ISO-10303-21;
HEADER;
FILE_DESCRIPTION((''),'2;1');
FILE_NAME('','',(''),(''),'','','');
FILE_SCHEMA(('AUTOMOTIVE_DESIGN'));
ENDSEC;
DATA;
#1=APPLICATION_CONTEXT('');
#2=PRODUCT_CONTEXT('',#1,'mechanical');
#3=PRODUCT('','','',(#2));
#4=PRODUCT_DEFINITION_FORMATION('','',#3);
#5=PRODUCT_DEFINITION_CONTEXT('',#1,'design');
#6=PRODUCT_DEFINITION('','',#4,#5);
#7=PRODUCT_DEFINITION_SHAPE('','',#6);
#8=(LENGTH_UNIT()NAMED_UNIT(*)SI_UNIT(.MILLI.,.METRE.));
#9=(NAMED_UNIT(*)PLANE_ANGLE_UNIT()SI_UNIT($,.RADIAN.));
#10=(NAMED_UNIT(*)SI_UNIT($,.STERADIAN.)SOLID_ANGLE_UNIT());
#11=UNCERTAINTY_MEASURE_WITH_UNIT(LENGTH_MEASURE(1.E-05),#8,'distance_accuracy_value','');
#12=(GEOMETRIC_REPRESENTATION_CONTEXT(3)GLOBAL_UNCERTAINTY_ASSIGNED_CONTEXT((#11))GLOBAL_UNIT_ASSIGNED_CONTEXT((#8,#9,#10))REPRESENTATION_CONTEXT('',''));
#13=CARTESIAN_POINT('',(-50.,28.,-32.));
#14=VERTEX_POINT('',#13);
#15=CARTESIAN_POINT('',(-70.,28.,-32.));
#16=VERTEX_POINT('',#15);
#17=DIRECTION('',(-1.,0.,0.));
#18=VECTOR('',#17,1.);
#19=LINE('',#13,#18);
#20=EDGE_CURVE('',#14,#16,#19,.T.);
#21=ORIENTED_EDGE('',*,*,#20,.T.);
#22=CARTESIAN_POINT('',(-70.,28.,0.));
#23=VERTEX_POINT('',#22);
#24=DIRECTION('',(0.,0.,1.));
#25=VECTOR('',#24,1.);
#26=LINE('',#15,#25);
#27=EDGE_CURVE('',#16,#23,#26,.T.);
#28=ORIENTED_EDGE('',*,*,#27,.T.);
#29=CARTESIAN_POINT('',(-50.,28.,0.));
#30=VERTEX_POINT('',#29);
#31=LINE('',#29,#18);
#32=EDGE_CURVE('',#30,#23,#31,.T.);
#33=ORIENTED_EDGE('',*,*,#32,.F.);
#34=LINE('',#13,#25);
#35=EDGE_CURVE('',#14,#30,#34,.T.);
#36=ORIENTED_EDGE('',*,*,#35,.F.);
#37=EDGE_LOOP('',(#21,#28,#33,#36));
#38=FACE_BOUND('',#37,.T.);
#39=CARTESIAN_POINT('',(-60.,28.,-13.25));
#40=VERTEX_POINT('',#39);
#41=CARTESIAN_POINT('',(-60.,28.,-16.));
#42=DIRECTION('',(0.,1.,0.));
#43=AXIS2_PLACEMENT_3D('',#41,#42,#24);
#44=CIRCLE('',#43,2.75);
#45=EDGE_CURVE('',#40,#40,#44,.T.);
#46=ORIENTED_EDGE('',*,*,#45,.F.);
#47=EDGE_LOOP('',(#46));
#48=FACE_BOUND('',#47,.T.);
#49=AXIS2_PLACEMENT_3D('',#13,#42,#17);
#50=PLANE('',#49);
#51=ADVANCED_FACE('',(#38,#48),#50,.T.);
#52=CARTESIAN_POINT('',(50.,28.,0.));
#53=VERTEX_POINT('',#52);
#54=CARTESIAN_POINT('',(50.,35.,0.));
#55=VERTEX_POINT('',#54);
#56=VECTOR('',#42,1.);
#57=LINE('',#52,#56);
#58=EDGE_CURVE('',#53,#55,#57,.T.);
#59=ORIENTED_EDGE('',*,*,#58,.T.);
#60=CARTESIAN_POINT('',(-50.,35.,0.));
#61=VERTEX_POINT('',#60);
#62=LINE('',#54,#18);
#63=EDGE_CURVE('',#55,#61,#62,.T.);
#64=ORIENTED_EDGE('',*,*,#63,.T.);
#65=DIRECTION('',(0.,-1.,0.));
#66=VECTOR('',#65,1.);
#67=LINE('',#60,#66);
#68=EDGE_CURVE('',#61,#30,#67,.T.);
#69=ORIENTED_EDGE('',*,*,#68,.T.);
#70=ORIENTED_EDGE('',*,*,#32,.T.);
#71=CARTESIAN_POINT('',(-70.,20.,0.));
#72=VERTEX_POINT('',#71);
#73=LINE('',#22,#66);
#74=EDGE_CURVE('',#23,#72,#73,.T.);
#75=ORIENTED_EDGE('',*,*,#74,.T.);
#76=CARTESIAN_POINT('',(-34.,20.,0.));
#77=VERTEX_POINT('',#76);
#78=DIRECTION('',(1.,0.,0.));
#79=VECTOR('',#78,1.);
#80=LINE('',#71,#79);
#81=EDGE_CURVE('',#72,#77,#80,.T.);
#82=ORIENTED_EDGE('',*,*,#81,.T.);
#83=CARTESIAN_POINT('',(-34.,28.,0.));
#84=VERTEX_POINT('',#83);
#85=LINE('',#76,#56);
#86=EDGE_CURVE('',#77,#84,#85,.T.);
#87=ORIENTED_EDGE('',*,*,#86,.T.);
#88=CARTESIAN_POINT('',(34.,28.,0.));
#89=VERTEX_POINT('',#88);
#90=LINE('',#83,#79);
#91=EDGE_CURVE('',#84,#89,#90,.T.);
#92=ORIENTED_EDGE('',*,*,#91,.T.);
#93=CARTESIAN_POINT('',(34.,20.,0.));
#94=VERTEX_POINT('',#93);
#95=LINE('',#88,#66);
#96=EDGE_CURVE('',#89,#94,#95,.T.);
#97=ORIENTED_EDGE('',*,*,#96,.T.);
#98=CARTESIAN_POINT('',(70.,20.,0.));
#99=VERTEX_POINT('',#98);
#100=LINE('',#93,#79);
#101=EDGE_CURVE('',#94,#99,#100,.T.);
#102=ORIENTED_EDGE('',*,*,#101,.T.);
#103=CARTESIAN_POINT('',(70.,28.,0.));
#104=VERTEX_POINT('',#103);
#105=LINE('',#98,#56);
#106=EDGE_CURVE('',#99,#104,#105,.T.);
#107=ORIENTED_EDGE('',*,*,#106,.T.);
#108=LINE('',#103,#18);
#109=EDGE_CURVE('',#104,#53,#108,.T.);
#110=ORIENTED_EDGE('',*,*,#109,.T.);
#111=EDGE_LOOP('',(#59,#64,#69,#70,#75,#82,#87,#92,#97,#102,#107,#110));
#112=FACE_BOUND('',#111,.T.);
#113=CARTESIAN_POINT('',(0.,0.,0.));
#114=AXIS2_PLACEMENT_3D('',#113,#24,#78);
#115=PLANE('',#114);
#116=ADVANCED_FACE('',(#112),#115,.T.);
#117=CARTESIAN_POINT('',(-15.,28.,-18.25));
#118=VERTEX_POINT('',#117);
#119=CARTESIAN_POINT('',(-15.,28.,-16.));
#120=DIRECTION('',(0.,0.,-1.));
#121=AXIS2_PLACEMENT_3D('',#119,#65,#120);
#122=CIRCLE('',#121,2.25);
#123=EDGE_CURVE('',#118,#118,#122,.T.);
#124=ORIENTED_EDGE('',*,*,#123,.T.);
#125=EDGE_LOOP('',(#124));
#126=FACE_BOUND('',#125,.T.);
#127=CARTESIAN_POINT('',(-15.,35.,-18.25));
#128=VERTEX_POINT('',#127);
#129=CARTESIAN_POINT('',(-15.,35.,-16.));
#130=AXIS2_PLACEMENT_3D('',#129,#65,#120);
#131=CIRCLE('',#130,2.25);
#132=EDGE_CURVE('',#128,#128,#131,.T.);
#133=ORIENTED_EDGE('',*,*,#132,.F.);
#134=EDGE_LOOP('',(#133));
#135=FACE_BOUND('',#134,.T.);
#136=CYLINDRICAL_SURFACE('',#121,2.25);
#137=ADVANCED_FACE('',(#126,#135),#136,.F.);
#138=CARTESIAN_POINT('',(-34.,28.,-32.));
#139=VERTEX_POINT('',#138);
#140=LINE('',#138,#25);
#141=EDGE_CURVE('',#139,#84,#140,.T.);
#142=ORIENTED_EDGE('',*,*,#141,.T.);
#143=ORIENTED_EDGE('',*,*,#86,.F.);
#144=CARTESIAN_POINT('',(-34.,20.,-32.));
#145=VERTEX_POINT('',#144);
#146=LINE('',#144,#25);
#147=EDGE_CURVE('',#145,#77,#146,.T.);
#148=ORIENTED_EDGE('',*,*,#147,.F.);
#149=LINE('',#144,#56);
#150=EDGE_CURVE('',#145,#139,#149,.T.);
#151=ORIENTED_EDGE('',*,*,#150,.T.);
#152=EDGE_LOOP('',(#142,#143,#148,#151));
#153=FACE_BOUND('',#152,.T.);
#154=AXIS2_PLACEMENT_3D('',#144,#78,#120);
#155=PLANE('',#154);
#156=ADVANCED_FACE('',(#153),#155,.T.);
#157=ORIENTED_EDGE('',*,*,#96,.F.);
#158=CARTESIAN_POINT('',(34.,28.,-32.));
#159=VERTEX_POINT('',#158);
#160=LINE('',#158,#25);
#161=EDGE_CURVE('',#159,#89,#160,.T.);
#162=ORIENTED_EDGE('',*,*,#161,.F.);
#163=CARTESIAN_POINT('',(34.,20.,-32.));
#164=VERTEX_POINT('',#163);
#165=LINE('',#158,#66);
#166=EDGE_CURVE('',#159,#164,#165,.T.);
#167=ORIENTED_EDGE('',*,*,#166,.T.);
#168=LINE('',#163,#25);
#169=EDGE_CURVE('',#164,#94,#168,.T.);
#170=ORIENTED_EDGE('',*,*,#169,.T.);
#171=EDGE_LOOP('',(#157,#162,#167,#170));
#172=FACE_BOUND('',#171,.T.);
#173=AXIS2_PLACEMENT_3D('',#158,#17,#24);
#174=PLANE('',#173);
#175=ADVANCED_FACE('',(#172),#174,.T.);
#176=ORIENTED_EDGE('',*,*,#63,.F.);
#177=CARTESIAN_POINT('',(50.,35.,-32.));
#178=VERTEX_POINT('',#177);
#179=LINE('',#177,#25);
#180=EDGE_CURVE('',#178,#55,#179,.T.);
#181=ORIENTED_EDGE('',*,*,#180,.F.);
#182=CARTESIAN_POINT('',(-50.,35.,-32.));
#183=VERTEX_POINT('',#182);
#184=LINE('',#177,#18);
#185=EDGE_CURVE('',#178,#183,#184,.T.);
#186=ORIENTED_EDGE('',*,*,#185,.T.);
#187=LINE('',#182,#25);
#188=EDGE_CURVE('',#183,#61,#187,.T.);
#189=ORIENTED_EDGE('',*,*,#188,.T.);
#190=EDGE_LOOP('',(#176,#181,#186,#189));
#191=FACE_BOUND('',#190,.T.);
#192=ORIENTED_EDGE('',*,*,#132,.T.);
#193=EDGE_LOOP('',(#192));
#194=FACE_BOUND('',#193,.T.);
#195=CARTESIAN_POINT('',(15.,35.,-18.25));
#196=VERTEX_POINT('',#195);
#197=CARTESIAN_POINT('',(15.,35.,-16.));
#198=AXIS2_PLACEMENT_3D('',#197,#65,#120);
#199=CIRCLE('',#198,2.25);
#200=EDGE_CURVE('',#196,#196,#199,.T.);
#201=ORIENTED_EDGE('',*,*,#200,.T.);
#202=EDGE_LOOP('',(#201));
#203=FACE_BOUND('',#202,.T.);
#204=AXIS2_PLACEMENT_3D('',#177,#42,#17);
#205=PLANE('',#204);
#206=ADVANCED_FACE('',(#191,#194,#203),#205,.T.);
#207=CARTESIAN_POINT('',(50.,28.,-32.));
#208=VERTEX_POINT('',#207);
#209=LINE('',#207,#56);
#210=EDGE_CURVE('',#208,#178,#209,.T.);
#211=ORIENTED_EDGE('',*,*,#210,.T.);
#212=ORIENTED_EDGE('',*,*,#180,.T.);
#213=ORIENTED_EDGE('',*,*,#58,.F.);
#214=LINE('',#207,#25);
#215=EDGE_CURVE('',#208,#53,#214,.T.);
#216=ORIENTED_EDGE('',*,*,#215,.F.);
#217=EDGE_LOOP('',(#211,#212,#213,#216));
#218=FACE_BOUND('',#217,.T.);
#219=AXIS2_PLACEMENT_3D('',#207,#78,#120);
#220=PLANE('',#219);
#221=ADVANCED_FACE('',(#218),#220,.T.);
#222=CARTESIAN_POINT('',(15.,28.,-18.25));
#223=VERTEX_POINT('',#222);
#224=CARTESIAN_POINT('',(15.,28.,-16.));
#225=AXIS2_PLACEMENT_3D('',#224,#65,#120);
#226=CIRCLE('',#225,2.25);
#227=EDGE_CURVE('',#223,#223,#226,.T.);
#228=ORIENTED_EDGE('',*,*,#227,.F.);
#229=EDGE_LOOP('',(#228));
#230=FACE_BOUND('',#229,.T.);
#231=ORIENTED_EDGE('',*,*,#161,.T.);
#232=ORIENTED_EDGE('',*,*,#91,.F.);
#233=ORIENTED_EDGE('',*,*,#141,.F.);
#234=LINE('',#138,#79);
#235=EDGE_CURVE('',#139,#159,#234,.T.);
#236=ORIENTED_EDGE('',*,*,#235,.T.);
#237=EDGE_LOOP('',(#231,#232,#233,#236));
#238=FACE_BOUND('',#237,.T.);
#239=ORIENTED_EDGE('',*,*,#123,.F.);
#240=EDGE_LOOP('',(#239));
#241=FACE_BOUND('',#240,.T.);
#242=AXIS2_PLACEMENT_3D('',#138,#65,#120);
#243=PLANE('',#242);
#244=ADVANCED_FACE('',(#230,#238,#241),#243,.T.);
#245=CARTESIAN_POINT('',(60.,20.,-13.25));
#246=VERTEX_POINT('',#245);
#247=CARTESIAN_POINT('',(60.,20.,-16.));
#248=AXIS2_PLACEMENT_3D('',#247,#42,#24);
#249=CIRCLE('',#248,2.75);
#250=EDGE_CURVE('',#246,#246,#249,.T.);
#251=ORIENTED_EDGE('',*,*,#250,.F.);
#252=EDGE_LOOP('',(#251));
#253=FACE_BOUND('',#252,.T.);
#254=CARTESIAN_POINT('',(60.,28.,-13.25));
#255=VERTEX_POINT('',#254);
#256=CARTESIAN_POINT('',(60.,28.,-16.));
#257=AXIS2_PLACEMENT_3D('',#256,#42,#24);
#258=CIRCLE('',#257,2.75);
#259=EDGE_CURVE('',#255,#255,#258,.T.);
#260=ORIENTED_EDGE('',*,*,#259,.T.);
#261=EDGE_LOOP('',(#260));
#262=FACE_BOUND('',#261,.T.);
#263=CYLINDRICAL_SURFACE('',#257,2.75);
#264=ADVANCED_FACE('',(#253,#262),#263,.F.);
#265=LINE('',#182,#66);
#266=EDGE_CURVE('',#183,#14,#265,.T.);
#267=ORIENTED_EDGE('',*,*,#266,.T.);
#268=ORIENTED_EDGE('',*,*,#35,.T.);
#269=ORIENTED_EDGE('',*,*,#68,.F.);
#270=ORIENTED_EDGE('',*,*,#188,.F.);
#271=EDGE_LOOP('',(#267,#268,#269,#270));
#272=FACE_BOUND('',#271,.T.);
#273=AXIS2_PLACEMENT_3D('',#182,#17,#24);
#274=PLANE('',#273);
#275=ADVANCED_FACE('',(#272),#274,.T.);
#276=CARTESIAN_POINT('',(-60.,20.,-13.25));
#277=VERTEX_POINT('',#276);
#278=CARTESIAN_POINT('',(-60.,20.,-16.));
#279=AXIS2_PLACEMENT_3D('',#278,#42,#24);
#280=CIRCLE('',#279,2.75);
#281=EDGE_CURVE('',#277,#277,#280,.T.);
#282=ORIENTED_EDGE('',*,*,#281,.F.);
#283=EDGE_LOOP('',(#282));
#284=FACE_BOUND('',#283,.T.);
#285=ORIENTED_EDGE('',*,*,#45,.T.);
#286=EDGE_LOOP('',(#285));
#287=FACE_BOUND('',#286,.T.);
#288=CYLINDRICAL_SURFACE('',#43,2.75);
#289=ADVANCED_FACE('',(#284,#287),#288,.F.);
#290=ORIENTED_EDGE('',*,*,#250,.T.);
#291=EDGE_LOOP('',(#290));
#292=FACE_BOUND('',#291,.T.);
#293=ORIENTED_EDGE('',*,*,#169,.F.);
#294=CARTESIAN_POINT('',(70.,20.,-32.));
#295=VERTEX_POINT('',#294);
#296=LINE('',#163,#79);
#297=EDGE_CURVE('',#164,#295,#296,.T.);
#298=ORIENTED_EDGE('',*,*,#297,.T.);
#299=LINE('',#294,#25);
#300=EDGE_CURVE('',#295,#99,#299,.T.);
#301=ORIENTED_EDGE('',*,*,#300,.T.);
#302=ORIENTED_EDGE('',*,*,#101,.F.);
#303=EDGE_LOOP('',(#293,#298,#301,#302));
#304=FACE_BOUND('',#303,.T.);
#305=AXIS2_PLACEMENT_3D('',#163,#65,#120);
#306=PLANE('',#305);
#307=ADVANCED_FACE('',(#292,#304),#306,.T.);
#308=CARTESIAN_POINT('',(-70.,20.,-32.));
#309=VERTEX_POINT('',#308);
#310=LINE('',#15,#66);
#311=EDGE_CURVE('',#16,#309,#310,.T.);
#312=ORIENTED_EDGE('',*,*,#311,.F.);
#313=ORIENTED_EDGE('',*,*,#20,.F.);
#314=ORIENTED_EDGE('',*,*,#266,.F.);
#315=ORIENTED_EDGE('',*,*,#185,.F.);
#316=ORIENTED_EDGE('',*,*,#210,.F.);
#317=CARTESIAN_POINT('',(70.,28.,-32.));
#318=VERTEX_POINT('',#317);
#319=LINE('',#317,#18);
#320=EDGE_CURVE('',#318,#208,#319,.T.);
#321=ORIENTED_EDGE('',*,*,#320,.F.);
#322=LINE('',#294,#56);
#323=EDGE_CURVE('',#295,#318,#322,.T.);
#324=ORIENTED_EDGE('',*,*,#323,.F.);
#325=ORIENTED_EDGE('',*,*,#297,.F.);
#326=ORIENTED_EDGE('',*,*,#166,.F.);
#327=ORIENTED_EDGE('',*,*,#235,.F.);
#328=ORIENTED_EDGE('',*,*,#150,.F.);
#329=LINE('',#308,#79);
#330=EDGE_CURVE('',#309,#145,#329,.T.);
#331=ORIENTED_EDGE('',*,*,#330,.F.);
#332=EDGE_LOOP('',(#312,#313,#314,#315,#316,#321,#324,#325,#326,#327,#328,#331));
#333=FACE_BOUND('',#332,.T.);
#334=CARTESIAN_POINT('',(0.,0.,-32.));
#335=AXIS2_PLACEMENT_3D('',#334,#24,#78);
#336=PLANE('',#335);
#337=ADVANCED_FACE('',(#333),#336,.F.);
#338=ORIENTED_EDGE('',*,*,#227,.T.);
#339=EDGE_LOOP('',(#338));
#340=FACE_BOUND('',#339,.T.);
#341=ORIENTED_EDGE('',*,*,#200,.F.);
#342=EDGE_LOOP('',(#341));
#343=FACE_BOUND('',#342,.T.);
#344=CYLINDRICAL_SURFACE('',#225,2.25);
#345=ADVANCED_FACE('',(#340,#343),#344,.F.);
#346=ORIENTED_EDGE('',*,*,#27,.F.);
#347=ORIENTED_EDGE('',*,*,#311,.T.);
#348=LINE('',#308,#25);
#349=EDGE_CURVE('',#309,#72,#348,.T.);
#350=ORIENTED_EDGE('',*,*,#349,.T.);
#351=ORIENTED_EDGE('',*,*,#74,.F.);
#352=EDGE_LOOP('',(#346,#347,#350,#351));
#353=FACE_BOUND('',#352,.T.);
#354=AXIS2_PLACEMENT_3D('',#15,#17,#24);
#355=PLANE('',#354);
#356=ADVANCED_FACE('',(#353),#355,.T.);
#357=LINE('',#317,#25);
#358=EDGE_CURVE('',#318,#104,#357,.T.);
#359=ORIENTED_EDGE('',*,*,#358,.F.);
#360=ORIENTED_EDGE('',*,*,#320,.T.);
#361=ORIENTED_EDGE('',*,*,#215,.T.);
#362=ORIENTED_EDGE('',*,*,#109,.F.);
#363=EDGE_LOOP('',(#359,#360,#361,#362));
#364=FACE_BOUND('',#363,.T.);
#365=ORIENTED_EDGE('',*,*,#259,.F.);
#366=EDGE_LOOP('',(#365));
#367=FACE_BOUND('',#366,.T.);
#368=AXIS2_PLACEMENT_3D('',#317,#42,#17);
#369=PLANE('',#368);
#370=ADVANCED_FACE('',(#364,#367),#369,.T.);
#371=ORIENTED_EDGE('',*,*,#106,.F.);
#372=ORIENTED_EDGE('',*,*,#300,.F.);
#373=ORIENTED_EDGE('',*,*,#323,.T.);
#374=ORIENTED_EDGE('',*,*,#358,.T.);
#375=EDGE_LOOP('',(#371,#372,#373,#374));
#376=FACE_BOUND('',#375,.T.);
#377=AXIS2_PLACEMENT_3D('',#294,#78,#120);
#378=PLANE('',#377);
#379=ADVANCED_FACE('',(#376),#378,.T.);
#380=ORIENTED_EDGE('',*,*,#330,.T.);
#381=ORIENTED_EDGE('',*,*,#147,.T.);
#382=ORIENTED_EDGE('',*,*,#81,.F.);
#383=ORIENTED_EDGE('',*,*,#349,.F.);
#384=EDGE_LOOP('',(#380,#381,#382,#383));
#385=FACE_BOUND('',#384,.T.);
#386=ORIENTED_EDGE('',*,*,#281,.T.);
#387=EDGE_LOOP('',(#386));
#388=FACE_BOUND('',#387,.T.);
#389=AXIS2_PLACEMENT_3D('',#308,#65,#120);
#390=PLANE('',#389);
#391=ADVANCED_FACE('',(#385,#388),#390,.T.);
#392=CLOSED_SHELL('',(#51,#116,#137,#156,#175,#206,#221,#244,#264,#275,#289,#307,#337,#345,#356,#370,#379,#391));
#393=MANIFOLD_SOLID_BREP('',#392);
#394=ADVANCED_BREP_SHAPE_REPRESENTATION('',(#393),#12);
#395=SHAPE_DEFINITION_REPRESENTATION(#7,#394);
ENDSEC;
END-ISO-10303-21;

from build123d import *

# Parameters (mm, degrees)
AUFSATZ_LINEAR_AUSTRAGEN1_DEPTH  = 32
F_4_5_4_5_DURCHMESSER_BOHRUNG1_D = 4.5
F_5_5_5_5_DURCHMESSER_BOHRUNG1_D = 5.5


with BuildPart() as part:
    # Skizze1 → Aufsatz-Linear austragen1 (new body)
    with BuildSketch(Plane.XY):
        Polygon((-70, 20), (-34, 20), (-34, 28), (34, 28), (34, 20), (70, 20), (70, 28), (50, 28), (50, 35), (-50, 35), (-50, 28), (-70, 28), align=None)
    extrude(amount=-AUFSATZ_LINEAR_AUSTRAGEN1_DEPTH)

    # Ø4.5 (4.5) Durchmesser Bohrung1 (through all)
    with Locations(Plane(origin=(-15, 28, -16), x_dir=(0, 0, -1), z_dir=(0, -1, 0))):
        with Locations((0, 0), (0, 30)):
            Hole(F_4_5_4_5_DURCHMESSER_BOHRUNG1_D / 2)

    # Ø5.5 (5.5) Durchmesser Bohrung1 (through all)
    with Locations(Plane(origin=(-60, 28, -16), x_dir=(1, 0, 0), z_dir=(0, 1, 0))):
        with Locations((0, 0), (120, 0)):
            Hole(F_5_5_5_5_DURCHMESSER_BOHRUNG1_D / 2)


solid = part.part
